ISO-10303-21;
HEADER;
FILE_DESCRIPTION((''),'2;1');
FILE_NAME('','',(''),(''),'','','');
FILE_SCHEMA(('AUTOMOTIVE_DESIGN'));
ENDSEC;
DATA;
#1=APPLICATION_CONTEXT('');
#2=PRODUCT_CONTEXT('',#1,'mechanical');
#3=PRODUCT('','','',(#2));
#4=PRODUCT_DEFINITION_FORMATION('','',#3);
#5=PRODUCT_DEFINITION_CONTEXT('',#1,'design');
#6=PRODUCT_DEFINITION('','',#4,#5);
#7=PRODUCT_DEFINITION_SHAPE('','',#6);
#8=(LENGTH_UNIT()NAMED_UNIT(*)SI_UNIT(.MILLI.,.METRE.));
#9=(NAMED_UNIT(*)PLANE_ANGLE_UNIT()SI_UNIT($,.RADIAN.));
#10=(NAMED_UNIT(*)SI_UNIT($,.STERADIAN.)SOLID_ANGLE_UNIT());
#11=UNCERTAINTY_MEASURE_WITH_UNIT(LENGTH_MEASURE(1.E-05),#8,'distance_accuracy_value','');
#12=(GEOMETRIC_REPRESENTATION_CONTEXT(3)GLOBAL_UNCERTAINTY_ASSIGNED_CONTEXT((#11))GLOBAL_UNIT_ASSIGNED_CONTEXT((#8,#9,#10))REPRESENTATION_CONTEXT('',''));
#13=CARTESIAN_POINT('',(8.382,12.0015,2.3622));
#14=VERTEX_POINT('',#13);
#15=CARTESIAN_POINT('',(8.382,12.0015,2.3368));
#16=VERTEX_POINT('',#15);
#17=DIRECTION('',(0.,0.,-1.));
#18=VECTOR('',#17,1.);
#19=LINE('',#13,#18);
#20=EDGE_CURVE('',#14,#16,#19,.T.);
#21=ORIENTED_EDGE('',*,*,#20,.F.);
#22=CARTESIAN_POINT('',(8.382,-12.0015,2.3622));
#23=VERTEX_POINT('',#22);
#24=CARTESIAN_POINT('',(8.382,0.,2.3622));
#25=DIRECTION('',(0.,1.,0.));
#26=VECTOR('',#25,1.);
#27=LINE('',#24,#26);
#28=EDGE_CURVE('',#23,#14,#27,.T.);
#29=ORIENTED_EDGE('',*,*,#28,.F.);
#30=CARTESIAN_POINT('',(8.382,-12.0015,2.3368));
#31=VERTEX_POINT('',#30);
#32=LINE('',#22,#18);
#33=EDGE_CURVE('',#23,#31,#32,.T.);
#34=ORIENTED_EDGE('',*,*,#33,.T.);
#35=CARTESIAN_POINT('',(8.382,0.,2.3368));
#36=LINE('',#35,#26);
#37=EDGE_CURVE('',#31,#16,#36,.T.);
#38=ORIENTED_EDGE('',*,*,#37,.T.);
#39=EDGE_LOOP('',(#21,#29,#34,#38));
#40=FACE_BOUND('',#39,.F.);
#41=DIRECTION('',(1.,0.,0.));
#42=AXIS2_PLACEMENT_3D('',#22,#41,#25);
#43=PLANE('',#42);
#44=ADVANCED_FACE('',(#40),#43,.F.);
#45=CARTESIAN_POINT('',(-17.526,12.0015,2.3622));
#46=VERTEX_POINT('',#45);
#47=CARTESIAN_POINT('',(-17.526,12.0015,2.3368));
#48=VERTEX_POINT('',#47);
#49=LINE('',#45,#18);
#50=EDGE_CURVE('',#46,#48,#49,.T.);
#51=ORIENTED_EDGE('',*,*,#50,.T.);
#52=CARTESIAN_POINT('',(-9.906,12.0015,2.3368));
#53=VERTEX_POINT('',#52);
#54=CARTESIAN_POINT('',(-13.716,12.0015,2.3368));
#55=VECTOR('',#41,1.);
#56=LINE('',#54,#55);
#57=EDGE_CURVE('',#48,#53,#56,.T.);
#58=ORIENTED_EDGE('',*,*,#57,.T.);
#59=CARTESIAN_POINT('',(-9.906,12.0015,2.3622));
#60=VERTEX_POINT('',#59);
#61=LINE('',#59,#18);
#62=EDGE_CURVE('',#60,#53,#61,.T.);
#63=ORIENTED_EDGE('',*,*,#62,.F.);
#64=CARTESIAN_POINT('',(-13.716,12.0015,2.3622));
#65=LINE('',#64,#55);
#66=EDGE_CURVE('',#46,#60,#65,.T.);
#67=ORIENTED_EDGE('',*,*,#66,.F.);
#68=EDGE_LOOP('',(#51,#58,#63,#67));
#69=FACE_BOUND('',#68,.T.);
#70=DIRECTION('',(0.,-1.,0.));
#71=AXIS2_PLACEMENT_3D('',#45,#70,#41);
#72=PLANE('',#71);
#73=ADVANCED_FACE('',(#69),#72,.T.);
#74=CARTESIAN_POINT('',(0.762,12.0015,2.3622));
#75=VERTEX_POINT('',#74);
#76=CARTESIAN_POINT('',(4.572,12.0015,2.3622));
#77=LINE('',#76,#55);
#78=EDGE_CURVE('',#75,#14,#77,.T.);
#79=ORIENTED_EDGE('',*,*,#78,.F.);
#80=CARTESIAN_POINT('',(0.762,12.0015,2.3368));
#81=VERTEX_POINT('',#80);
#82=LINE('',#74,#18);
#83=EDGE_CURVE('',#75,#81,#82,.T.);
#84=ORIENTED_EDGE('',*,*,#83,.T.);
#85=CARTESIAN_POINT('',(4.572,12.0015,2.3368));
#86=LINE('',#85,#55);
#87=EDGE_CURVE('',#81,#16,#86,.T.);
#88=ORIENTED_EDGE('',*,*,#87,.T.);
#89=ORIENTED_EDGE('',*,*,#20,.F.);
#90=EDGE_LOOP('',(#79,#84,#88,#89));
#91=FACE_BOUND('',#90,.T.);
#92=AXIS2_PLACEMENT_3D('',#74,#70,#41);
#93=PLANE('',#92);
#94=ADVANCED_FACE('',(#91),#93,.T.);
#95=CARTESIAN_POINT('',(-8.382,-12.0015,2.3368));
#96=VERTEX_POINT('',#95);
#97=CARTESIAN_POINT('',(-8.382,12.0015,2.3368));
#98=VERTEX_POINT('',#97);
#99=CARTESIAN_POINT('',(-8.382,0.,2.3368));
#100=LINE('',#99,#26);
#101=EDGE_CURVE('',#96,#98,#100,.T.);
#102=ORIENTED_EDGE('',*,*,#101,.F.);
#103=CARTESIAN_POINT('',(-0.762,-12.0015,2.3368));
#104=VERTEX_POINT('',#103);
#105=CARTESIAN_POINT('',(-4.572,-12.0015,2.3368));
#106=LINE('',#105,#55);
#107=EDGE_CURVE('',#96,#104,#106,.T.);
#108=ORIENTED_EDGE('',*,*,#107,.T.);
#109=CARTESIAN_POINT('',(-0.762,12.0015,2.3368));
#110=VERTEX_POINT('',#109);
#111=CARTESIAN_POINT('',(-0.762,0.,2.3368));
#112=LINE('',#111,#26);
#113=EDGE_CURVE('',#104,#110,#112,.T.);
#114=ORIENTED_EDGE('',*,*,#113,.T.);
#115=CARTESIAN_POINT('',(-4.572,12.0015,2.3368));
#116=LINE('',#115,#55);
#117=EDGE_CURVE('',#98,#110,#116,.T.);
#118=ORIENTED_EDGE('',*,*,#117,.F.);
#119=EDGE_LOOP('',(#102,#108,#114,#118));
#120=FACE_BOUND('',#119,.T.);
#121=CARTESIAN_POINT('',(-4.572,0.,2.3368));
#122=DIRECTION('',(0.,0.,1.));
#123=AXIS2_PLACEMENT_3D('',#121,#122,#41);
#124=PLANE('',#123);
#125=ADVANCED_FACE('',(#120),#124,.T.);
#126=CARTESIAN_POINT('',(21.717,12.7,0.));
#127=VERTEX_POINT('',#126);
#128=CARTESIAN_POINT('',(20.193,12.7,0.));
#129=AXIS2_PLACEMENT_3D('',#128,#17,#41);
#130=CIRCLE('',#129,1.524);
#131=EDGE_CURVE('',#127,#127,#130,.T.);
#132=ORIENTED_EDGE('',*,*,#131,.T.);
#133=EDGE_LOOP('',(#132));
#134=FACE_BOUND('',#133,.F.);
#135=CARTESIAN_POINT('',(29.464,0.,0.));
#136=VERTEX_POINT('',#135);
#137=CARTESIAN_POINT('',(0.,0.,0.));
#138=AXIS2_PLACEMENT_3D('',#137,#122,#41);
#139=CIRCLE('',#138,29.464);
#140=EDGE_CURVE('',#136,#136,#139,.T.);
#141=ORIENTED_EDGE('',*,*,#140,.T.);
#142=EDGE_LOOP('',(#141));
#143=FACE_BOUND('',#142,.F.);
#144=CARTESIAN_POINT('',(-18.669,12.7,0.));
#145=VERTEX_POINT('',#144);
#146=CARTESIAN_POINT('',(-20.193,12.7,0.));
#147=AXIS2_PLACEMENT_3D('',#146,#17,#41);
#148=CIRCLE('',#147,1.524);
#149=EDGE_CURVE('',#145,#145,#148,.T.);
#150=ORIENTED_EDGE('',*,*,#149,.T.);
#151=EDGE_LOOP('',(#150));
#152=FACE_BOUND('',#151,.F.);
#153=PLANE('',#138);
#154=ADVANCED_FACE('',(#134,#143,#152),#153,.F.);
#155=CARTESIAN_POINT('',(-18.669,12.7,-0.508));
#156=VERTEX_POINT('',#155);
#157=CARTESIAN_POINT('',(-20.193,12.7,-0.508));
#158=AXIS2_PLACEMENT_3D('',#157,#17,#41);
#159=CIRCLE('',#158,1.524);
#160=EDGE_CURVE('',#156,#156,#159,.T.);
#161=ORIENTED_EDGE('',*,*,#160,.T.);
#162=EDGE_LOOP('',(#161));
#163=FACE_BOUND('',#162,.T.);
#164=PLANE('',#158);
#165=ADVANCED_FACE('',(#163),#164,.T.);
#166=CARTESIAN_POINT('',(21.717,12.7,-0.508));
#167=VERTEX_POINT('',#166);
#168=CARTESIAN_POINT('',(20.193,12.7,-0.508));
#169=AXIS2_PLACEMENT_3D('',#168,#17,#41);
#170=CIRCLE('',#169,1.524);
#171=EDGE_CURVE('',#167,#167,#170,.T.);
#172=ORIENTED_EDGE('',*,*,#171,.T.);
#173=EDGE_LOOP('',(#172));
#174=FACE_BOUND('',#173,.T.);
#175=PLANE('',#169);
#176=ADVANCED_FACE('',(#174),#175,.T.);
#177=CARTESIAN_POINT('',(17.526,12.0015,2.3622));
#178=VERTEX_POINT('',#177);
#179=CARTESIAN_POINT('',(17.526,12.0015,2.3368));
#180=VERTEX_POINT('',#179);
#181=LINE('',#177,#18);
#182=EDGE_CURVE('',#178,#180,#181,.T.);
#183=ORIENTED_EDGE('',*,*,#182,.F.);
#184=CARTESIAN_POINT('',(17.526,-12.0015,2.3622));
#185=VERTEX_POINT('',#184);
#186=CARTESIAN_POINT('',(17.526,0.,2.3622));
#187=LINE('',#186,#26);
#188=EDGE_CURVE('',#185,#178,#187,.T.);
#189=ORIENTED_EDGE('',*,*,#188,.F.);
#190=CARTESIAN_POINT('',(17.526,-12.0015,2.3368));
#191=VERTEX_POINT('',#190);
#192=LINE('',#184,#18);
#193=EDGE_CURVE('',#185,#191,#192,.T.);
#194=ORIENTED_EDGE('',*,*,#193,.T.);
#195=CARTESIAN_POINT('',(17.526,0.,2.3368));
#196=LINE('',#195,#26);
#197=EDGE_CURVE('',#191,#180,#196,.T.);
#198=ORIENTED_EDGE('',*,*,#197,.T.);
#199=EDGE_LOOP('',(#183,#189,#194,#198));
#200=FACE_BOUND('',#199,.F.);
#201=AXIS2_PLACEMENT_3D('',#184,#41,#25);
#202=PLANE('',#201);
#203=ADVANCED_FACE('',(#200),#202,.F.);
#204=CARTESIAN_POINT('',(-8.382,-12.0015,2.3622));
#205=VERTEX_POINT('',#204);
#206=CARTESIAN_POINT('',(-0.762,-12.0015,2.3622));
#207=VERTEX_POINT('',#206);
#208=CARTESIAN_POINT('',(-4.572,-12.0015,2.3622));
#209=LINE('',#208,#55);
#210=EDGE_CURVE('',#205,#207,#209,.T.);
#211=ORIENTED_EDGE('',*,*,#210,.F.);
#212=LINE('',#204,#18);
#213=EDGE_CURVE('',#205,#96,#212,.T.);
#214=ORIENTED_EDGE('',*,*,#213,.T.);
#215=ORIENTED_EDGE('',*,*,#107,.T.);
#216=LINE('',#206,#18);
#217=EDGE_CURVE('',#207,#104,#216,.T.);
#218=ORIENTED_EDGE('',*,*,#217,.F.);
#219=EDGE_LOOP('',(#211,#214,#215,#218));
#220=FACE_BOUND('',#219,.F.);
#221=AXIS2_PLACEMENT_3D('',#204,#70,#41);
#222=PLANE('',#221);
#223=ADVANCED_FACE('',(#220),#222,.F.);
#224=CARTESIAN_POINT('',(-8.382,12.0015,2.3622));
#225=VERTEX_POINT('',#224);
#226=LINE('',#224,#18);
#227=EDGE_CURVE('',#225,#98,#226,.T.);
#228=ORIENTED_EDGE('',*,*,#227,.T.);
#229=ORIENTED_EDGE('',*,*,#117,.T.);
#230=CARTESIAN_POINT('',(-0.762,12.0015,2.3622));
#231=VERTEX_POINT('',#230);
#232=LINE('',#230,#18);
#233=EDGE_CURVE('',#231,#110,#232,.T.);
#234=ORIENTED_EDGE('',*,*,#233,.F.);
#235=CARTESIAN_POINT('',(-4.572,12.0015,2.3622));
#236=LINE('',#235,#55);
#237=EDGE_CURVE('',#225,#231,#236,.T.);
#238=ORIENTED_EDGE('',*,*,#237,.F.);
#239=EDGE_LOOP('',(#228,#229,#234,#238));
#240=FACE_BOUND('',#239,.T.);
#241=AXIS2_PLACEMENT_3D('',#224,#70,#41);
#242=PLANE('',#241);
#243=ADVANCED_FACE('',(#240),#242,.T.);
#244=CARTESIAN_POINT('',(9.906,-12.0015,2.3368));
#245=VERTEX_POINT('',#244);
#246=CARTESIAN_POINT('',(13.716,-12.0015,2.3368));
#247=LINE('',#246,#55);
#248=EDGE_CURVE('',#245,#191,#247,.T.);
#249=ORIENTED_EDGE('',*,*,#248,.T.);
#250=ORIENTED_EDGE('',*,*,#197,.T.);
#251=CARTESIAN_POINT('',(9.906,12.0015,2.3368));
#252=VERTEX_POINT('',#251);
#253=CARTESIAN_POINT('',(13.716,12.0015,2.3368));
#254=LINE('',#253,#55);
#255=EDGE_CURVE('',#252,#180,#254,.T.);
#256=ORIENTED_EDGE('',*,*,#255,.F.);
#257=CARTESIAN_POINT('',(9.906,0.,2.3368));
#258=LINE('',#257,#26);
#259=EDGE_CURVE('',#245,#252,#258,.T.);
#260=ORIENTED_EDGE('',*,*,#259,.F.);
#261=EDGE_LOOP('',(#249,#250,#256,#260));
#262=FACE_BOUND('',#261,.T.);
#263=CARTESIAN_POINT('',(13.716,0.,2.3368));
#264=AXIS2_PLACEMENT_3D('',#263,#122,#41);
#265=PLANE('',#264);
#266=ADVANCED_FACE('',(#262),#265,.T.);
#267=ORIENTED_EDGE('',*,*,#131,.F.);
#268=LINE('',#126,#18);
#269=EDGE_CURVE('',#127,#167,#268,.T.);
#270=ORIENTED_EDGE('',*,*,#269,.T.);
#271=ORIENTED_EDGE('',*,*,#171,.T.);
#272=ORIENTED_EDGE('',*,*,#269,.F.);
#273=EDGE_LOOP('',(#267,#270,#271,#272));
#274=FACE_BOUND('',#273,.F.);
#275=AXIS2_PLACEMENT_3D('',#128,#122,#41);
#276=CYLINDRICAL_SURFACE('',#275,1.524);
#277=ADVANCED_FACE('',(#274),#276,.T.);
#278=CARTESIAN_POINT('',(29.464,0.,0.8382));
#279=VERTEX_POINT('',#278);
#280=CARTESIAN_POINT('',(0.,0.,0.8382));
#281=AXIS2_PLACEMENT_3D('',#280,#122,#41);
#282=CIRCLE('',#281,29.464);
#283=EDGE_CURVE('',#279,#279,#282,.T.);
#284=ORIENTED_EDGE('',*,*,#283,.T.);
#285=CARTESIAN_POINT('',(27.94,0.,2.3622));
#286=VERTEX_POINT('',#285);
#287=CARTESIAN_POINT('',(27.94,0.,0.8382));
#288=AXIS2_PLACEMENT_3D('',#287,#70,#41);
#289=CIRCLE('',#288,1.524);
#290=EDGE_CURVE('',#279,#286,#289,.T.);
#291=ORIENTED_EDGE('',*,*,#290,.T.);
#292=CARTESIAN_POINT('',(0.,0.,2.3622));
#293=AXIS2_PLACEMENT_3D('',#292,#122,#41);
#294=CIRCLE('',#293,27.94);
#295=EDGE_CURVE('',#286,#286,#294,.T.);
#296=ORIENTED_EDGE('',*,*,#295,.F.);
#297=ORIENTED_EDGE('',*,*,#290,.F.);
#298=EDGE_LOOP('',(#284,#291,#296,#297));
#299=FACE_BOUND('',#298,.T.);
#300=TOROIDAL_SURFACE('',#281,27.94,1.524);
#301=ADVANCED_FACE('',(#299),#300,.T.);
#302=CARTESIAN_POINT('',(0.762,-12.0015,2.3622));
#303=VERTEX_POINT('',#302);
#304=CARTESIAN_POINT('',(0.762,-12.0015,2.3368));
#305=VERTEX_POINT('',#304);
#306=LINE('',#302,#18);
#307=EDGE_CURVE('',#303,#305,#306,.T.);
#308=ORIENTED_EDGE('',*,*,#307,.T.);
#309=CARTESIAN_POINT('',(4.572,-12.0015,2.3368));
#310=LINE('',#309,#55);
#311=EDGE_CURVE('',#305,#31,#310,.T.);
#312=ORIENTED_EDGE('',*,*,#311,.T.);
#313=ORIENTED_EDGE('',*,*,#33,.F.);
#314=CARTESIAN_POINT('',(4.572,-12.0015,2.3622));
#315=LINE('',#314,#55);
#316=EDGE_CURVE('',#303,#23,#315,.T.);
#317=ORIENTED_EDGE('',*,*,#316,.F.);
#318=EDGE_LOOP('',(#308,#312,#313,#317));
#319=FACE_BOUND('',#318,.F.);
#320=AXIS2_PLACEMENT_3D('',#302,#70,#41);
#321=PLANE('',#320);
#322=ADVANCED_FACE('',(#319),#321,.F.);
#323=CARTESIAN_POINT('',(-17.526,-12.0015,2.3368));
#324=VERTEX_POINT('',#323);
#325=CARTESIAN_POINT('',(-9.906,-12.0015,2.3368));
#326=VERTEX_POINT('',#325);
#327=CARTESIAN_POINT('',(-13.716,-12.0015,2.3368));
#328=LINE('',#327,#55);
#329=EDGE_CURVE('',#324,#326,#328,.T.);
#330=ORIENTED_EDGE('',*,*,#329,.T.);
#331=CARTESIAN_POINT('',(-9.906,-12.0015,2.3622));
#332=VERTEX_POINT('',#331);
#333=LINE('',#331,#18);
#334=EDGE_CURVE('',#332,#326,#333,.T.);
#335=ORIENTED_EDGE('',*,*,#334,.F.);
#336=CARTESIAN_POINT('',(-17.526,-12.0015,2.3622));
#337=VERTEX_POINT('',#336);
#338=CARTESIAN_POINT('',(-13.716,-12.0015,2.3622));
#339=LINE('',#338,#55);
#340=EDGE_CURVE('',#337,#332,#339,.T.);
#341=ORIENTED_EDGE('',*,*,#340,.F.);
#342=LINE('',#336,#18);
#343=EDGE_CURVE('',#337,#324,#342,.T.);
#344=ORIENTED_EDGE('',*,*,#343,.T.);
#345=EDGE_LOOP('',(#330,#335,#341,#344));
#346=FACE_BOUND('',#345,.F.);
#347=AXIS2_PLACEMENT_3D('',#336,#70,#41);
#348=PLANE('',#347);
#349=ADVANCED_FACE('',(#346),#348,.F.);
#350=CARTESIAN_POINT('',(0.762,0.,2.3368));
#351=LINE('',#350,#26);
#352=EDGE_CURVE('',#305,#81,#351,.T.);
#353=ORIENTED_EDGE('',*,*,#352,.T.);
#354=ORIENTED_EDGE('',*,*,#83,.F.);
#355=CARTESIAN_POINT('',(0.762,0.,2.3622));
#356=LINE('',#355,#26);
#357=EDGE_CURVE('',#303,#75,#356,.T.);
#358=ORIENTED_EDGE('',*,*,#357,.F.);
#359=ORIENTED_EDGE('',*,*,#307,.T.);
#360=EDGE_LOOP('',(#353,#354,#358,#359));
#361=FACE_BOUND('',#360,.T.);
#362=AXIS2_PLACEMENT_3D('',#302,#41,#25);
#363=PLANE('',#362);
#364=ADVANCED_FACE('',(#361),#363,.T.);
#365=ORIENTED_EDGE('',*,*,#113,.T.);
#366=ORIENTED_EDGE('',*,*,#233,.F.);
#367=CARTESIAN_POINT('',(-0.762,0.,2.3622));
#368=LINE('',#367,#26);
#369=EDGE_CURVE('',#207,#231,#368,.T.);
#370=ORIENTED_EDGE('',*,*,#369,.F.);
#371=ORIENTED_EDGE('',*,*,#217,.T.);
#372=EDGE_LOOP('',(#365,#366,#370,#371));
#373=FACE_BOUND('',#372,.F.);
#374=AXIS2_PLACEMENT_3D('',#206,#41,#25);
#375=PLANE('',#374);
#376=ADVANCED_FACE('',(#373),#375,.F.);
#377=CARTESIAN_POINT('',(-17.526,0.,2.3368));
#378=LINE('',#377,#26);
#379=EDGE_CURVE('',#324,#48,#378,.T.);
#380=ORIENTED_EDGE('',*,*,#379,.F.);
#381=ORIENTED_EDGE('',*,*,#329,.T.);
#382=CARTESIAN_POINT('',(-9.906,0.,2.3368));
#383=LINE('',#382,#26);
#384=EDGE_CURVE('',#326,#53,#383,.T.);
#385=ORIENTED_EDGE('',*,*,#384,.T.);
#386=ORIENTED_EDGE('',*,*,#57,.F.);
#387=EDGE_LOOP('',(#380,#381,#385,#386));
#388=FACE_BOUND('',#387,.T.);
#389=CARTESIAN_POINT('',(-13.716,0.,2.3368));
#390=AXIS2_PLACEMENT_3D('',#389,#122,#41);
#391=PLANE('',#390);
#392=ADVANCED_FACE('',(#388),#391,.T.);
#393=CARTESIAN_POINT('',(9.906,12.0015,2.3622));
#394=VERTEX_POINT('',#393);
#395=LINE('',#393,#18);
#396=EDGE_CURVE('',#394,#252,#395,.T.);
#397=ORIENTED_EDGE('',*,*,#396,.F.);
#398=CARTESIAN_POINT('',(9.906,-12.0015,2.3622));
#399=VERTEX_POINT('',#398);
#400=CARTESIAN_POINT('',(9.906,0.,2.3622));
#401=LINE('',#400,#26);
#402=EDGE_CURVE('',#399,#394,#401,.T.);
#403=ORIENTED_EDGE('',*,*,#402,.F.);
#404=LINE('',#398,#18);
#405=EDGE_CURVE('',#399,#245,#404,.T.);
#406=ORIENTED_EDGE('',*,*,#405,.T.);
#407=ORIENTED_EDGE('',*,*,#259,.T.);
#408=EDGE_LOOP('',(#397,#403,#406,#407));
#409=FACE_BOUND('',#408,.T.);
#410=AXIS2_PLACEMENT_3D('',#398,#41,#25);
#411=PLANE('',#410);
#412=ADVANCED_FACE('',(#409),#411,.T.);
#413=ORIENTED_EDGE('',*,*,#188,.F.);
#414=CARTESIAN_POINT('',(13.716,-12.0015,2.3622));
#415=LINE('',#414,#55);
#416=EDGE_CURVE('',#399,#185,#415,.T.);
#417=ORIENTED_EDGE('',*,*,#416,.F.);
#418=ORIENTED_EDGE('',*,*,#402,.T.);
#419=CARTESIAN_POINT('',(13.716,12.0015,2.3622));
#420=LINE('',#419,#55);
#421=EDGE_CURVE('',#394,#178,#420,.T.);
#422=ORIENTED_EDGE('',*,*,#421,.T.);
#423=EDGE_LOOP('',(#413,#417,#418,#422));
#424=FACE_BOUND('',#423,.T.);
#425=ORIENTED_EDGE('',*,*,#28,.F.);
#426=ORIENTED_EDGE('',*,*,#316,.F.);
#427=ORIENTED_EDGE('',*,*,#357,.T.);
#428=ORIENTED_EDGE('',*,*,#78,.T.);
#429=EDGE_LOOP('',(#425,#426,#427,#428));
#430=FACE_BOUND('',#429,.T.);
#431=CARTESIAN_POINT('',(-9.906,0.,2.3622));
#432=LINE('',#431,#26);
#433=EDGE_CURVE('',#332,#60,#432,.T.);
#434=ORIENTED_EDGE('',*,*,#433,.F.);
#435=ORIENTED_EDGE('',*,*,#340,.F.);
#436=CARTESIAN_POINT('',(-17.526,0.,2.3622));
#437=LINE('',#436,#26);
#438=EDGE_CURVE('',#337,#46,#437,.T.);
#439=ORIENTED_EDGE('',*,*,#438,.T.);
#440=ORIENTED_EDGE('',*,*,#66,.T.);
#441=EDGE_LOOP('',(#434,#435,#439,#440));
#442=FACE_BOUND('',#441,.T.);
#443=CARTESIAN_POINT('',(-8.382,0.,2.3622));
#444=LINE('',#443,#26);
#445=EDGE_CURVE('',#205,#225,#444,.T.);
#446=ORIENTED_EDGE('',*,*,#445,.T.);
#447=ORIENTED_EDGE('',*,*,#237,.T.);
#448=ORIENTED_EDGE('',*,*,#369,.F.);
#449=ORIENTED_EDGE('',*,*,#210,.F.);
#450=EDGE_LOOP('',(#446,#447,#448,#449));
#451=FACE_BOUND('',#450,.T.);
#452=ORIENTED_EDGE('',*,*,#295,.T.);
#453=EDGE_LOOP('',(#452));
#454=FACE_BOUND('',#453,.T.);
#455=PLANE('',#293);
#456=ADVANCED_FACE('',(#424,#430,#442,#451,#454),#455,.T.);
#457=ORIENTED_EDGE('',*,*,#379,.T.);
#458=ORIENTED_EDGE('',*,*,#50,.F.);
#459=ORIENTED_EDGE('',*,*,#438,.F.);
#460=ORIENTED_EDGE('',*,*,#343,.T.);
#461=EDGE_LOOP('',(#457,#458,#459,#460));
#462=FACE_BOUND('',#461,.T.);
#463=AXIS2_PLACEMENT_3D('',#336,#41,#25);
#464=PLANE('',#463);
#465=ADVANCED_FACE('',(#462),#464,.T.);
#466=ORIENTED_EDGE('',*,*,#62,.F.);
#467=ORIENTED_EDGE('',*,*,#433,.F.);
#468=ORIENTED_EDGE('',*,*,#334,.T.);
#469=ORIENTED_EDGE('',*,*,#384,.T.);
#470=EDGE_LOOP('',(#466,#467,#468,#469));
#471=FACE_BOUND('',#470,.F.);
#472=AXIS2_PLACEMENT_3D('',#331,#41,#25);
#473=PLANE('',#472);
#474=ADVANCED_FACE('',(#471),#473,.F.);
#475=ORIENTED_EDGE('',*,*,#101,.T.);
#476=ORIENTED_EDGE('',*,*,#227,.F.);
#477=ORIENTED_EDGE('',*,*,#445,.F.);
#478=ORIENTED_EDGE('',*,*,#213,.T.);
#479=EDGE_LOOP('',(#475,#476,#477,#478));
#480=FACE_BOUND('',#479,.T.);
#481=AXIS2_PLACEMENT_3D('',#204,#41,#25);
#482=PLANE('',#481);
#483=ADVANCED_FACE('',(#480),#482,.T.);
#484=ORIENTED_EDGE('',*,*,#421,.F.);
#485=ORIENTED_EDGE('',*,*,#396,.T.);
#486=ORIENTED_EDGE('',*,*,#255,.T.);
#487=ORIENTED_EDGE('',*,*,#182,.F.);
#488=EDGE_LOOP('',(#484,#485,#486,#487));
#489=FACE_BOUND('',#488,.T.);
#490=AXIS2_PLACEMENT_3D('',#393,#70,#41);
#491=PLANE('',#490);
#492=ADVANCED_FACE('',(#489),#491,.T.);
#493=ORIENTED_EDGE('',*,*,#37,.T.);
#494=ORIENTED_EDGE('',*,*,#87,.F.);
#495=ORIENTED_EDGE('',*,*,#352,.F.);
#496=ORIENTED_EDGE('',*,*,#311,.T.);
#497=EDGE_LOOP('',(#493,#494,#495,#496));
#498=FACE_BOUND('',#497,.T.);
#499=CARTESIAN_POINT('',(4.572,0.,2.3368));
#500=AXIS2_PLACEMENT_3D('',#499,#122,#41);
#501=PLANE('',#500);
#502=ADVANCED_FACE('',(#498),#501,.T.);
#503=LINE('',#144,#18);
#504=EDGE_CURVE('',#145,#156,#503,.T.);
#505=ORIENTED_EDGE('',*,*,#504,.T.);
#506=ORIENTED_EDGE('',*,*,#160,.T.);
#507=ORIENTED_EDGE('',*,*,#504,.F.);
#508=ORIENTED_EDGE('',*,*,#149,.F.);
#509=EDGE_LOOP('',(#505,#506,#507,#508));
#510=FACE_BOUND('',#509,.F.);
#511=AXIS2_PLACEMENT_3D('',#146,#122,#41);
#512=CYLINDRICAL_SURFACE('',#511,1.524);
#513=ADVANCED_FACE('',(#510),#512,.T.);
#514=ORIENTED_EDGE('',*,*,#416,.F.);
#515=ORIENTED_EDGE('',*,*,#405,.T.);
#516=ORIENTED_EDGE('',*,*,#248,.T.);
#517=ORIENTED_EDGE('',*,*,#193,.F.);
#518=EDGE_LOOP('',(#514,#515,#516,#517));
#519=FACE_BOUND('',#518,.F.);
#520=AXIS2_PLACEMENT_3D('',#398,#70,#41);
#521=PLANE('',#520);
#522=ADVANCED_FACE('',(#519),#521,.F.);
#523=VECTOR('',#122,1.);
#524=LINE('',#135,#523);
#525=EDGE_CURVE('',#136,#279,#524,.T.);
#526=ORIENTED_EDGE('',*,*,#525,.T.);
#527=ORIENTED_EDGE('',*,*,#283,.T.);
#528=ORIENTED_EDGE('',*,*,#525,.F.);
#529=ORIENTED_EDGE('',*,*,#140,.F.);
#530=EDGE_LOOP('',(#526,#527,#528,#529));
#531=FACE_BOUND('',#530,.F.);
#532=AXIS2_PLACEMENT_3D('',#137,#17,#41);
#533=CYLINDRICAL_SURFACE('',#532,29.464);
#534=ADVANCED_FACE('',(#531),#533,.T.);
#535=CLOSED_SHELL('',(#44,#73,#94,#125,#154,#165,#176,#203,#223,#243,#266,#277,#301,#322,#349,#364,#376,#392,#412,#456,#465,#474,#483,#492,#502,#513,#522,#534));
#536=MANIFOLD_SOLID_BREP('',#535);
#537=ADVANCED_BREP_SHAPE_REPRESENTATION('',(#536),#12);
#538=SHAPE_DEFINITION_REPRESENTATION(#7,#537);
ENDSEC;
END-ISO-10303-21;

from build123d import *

# Parameters (mm, degrees)
F0_R     = 29.464
F1_DEPTH = 2.3622
F2_R     = 1.524
F3_W     = 7.62
F3_H     = 24.003
F4_DEPTH = 0.0254
F5_R     = 1.524
F6_DEPTH = 0.508


with BuildPart() as f1:
    # F0 (on Top) → F1 (new body)
    with BuildSketch(Plane.XY):
        Circle(F0_R)
    extrude(amount=F1_DEPTH)

    # F2
    f2_edges = [f1.edges().sort_by_distance(p)[0] for p in [
        (-29.464, 0, 2.3622),
    ]]
    fillet(f2_edges, radius=F2_R)

    # F3 (on face) → F4 (cut)
    with BuildSketch(Plane.XY.offset(2.3622)):
        with Locations((-13.716, 0)):
            Rectangle(F3_W, F3_H)
        with Locations((-4.572, 0)):
            Rectangle(F3_W, F3_H)
        with Locations((4.572, 0)):
            Rectangle(F3_W, F3_H)
        with Locations((13.716, 0)):
            Rectangle(F3_W, F3_H)
    extrude(amount=-F4_DEPTH, mode=Mode.SUBTRACT)

    # F5 (on face) → F6 (join)
    with BuildSketch(Plane(origin=(0, 0, 0), x_dir=(1, 0, 0), z_dir=(0, 0, -1))):
        with Locations((-20.193, -12.7)):
            Circle(F5_R)
        with Locations((20.193, -12.7)):
            Circle(F5_R)
    extrude(amount=F6_DEPTH)


solid = f1.part
